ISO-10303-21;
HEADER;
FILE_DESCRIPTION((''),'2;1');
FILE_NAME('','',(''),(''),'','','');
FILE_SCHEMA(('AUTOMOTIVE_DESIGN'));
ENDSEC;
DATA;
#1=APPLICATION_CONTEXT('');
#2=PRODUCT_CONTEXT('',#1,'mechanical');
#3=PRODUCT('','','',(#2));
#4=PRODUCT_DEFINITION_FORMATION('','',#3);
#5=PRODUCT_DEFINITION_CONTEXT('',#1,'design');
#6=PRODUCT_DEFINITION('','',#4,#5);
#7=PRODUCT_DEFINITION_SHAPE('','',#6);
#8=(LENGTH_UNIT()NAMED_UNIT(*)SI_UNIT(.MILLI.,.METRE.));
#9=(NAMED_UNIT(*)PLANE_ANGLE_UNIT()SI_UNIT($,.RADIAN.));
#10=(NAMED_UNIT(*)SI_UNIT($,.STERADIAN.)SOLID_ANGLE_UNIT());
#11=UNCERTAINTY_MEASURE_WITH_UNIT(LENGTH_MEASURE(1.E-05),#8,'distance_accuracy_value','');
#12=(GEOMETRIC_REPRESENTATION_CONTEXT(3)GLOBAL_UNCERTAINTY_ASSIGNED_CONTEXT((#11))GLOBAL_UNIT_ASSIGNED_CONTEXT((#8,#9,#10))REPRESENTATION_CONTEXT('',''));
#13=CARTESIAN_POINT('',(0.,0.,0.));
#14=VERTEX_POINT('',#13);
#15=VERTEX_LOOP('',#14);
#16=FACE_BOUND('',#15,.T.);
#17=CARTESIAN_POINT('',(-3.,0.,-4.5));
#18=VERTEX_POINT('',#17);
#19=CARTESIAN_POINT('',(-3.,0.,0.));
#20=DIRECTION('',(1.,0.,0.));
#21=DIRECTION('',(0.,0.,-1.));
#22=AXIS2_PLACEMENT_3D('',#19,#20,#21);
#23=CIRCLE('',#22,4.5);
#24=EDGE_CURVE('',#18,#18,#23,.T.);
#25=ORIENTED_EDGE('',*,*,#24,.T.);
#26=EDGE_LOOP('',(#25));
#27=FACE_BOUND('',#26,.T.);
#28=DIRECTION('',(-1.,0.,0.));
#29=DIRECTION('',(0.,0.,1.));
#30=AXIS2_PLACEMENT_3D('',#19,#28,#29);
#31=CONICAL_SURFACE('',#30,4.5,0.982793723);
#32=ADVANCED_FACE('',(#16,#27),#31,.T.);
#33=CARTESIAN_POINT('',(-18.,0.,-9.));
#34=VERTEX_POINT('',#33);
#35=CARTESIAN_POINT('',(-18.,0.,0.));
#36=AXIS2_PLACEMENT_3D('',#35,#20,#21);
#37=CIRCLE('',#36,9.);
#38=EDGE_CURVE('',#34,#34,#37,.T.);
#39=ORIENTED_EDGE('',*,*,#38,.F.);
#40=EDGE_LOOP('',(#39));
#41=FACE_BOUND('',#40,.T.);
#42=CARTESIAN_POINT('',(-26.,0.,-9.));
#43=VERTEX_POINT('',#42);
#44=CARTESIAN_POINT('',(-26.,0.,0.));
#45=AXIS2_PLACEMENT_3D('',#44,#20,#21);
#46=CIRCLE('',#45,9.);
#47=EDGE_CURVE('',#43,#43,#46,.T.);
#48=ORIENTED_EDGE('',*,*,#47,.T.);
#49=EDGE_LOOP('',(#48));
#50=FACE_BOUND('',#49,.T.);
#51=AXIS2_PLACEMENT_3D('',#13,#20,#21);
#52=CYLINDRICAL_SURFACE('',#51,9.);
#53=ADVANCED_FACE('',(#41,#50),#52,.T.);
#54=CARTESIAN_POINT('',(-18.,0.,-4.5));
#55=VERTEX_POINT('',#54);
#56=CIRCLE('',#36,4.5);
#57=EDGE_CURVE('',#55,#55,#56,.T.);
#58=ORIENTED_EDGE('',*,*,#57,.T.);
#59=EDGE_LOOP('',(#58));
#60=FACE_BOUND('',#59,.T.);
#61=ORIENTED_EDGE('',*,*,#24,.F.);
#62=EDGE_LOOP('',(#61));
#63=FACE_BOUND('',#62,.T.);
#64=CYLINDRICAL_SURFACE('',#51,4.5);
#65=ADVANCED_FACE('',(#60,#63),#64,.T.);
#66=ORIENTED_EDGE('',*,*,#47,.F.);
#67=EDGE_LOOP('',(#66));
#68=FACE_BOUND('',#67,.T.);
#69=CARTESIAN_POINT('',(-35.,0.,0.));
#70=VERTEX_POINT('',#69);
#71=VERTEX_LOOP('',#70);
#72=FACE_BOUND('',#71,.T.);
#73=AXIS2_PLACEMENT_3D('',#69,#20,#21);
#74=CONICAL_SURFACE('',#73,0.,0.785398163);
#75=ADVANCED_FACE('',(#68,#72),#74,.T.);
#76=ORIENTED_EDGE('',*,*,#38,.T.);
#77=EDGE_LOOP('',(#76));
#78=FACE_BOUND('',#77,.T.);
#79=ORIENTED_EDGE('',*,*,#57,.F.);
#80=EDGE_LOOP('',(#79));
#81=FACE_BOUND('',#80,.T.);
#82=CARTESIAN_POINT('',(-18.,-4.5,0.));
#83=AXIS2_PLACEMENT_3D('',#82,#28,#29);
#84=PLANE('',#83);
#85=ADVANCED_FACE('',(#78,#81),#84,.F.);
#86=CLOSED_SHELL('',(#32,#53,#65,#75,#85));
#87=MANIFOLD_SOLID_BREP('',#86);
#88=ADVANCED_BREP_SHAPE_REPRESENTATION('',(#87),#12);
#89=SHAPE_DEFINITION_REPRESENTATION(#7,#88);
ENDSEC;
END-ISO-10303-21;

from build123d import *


with BuildPart() as part:
    # Esboço1 → Revolução1 (revolve)
    with BuildSketch(Plane.XY, mode=Mode.PRIVATE) as revolu_o1_sk:
        Polygon((0, 0), (-3, -4.5), (-18, -4.5), (-18, -9), (-26, -9), (-35, 0), align=None)
    revolve(revolu_o1_sk.sketch.rotate(Axis((0, 0, 0), (-1, 0, 0)), 270), axis=Axis((0, 0, 0), (-1, 0, 0)))


solid = part.part
